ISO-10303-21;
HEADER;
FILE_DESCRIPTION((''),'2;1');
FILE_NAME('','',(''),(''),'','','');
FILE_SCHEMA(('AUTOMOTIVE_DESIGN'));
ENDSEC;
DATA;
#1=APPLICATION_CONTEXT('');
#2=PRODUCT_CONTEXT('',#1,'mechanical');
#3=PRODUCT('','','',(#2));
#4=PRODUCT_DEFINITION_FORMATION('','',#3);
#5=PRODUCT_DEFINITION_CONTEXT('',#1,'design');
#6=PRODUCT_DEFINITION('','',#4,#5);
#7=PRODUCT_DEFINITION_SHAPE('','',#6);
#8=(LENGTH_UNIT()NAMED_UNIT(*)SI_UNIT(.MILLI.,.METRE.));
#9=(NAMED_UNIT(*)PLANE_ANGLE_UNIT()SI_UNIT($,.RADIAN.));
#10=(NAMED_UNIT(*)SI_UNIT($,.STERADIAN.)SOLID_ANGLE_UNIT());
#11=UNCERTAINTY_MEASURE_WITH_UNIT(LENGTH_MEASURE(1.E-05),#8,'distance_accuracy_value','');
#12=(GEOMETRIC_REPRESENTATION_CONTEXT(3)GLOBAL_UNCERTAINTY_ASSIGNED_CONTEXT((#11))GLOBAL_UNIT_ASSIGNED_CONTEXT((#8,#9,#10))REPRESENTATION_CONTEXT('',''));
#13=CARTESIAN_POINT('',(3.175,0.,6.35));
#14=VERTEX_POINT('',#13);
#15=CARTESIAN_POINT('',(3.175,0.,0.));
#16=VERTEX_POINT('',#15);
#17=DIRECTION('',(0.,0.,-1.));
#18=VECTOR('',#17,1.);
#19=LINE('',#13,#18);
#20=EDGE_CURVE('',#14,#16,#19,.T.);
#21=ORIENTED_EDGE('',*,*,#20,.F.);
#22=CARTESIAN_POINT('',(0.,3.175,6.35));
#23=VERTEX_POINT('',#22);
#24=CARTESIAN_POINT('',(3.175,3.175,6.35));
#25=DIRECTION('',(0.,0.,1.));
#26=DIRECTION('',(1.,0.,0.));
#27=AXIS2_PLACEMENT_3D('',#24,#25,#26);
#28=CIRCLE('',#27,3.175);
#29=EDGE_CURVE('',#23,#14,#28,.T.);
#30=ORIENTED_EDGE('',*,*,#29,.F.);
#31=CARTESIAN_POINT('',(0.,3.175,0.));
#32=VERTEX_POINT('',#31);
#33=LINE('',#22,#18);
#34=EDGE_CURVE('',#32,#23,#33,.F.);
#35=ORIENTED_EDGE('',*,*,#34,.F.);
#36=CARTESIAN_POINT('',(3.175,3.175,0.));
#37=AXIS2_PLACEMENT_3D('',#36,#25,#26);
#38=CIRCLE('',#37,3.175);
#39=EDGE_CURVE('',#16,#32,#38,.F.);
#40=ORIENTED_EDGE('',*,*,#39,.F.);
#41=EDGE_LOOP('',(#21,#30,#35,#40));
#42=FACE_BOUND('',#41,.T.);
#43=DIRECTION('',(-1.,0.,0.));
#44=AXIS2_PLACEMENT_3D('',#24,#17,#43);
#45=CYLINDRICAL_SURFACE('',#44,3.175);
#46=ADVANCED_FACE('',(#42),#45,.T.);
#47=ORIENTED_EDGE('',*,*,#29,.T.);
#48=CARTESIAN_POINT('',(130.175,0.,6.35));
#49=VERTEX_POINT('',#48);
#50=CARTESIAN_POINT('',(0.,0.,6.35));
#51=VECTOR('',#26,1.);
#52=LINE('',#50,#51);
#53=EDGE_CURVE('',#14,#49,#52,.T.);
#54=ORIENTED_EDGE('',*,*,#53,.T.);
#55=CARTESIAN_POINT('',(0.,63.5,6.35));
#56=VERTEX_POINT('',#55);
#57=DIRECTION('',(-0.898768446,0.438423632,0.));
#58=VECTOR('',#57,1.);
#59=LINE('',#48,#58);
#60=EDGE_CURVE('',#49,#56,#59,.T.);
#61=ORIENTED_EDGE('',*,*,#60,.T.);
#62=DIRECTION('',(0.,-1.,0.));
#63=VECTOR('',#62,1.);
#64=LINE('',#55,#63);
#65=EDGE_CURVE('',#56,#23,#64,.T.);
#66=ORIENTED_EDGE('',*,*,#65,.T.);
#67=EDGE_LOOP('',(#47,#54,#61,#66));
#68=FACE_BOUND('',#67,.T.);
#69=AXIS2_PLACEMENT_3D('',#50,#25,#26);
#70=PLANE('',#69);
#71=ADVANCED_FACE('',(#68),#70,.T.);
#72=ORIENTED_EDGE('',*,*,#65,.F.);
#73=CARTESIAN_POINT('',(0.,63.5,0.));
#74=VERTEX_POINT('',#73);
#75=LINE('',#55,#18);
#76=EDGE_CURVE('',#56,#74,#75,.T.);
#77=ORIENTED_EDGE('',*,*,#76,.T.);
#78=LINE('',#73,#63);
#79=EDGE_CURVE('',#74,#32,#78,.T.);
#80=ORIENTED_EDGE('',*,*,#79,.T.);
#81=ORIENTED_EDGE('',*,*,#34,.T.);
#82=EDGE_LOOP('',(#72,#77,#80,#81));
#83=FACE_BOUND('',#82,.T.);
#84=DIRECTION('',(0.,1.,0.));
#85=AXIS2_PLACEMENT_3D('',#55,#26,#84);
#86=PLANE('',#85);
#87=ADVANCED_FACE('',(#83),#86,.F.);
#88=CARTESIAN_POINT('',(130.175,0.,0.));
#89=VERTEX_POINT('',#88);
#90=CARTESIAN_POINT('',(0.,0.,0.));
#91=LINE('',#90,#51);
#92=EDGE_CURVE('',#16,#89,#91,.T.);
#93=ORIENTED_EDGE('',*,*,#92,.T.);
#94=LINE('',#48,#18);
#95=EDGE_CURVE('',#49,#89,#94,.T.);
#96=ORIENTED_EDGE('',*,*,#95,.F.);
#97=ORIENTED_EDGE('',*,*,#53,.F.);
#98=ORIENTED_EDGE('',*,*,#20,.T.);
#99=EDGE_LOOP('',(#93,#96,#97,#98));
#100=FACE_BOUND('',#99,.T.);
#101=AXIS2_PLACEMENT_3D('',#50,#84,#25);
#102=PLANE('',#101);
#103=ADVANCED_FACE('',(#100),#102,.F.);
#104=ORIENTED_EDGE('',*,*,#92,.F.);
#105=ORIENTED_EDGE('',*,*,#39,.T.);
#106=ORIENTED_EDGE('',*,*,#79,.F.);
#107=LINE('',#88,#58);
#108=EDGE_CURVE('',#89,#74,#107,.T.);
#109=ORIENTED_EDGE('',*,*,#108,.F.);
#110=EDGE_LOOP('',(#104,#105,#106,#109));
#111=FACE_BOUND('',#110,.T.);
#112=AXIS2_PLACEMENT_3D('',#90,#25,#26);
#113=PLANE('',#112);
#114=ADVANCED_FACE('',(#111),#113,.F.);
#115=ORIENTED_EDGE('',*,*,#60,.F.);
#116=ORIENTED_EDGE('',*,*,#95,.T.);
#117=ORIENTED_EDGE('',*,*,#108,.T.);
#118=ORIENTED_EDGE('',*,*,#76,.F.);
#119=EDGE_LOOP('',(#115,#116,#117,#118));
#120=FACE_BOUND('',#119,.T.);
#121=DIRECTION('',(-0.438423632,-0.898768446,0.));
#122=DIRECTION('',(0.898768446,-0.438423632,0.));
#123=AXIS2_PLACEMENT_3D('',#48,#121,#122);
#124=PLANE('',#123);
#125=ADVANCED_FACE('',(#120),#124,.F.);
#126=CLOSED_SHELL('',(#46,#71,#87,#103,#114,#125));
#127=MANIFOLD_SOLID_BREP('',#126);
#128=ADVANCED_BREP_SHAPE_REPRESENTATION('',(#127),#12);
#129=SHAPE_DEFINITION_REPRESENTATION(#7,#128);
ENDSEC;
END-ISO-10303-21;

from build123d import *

# Parameters (mm, degrees)
BOSS_EXTRUDE1_DEPTH = 6.35
FILLET1_R           = 3.175


with BuildPart() as part:
    # Sketch2 → Boss-Extrude1 (new body)
    with BuildSketch(Plane.XY):
        Polygon((0, 0), (130.175, 0), (0, 63.5), align=None)
    extrude(amount=BOSS_EXTRUDE1_DEPTH)

    # Fillet1
    fillet1_edges = [part.edges().sort_by_distance(p)[0] for p in [
        (0, 0, 3.175),
    ]]
    fillet(fillet1_edges, radius=FILLET1_R)


solid = part.part
